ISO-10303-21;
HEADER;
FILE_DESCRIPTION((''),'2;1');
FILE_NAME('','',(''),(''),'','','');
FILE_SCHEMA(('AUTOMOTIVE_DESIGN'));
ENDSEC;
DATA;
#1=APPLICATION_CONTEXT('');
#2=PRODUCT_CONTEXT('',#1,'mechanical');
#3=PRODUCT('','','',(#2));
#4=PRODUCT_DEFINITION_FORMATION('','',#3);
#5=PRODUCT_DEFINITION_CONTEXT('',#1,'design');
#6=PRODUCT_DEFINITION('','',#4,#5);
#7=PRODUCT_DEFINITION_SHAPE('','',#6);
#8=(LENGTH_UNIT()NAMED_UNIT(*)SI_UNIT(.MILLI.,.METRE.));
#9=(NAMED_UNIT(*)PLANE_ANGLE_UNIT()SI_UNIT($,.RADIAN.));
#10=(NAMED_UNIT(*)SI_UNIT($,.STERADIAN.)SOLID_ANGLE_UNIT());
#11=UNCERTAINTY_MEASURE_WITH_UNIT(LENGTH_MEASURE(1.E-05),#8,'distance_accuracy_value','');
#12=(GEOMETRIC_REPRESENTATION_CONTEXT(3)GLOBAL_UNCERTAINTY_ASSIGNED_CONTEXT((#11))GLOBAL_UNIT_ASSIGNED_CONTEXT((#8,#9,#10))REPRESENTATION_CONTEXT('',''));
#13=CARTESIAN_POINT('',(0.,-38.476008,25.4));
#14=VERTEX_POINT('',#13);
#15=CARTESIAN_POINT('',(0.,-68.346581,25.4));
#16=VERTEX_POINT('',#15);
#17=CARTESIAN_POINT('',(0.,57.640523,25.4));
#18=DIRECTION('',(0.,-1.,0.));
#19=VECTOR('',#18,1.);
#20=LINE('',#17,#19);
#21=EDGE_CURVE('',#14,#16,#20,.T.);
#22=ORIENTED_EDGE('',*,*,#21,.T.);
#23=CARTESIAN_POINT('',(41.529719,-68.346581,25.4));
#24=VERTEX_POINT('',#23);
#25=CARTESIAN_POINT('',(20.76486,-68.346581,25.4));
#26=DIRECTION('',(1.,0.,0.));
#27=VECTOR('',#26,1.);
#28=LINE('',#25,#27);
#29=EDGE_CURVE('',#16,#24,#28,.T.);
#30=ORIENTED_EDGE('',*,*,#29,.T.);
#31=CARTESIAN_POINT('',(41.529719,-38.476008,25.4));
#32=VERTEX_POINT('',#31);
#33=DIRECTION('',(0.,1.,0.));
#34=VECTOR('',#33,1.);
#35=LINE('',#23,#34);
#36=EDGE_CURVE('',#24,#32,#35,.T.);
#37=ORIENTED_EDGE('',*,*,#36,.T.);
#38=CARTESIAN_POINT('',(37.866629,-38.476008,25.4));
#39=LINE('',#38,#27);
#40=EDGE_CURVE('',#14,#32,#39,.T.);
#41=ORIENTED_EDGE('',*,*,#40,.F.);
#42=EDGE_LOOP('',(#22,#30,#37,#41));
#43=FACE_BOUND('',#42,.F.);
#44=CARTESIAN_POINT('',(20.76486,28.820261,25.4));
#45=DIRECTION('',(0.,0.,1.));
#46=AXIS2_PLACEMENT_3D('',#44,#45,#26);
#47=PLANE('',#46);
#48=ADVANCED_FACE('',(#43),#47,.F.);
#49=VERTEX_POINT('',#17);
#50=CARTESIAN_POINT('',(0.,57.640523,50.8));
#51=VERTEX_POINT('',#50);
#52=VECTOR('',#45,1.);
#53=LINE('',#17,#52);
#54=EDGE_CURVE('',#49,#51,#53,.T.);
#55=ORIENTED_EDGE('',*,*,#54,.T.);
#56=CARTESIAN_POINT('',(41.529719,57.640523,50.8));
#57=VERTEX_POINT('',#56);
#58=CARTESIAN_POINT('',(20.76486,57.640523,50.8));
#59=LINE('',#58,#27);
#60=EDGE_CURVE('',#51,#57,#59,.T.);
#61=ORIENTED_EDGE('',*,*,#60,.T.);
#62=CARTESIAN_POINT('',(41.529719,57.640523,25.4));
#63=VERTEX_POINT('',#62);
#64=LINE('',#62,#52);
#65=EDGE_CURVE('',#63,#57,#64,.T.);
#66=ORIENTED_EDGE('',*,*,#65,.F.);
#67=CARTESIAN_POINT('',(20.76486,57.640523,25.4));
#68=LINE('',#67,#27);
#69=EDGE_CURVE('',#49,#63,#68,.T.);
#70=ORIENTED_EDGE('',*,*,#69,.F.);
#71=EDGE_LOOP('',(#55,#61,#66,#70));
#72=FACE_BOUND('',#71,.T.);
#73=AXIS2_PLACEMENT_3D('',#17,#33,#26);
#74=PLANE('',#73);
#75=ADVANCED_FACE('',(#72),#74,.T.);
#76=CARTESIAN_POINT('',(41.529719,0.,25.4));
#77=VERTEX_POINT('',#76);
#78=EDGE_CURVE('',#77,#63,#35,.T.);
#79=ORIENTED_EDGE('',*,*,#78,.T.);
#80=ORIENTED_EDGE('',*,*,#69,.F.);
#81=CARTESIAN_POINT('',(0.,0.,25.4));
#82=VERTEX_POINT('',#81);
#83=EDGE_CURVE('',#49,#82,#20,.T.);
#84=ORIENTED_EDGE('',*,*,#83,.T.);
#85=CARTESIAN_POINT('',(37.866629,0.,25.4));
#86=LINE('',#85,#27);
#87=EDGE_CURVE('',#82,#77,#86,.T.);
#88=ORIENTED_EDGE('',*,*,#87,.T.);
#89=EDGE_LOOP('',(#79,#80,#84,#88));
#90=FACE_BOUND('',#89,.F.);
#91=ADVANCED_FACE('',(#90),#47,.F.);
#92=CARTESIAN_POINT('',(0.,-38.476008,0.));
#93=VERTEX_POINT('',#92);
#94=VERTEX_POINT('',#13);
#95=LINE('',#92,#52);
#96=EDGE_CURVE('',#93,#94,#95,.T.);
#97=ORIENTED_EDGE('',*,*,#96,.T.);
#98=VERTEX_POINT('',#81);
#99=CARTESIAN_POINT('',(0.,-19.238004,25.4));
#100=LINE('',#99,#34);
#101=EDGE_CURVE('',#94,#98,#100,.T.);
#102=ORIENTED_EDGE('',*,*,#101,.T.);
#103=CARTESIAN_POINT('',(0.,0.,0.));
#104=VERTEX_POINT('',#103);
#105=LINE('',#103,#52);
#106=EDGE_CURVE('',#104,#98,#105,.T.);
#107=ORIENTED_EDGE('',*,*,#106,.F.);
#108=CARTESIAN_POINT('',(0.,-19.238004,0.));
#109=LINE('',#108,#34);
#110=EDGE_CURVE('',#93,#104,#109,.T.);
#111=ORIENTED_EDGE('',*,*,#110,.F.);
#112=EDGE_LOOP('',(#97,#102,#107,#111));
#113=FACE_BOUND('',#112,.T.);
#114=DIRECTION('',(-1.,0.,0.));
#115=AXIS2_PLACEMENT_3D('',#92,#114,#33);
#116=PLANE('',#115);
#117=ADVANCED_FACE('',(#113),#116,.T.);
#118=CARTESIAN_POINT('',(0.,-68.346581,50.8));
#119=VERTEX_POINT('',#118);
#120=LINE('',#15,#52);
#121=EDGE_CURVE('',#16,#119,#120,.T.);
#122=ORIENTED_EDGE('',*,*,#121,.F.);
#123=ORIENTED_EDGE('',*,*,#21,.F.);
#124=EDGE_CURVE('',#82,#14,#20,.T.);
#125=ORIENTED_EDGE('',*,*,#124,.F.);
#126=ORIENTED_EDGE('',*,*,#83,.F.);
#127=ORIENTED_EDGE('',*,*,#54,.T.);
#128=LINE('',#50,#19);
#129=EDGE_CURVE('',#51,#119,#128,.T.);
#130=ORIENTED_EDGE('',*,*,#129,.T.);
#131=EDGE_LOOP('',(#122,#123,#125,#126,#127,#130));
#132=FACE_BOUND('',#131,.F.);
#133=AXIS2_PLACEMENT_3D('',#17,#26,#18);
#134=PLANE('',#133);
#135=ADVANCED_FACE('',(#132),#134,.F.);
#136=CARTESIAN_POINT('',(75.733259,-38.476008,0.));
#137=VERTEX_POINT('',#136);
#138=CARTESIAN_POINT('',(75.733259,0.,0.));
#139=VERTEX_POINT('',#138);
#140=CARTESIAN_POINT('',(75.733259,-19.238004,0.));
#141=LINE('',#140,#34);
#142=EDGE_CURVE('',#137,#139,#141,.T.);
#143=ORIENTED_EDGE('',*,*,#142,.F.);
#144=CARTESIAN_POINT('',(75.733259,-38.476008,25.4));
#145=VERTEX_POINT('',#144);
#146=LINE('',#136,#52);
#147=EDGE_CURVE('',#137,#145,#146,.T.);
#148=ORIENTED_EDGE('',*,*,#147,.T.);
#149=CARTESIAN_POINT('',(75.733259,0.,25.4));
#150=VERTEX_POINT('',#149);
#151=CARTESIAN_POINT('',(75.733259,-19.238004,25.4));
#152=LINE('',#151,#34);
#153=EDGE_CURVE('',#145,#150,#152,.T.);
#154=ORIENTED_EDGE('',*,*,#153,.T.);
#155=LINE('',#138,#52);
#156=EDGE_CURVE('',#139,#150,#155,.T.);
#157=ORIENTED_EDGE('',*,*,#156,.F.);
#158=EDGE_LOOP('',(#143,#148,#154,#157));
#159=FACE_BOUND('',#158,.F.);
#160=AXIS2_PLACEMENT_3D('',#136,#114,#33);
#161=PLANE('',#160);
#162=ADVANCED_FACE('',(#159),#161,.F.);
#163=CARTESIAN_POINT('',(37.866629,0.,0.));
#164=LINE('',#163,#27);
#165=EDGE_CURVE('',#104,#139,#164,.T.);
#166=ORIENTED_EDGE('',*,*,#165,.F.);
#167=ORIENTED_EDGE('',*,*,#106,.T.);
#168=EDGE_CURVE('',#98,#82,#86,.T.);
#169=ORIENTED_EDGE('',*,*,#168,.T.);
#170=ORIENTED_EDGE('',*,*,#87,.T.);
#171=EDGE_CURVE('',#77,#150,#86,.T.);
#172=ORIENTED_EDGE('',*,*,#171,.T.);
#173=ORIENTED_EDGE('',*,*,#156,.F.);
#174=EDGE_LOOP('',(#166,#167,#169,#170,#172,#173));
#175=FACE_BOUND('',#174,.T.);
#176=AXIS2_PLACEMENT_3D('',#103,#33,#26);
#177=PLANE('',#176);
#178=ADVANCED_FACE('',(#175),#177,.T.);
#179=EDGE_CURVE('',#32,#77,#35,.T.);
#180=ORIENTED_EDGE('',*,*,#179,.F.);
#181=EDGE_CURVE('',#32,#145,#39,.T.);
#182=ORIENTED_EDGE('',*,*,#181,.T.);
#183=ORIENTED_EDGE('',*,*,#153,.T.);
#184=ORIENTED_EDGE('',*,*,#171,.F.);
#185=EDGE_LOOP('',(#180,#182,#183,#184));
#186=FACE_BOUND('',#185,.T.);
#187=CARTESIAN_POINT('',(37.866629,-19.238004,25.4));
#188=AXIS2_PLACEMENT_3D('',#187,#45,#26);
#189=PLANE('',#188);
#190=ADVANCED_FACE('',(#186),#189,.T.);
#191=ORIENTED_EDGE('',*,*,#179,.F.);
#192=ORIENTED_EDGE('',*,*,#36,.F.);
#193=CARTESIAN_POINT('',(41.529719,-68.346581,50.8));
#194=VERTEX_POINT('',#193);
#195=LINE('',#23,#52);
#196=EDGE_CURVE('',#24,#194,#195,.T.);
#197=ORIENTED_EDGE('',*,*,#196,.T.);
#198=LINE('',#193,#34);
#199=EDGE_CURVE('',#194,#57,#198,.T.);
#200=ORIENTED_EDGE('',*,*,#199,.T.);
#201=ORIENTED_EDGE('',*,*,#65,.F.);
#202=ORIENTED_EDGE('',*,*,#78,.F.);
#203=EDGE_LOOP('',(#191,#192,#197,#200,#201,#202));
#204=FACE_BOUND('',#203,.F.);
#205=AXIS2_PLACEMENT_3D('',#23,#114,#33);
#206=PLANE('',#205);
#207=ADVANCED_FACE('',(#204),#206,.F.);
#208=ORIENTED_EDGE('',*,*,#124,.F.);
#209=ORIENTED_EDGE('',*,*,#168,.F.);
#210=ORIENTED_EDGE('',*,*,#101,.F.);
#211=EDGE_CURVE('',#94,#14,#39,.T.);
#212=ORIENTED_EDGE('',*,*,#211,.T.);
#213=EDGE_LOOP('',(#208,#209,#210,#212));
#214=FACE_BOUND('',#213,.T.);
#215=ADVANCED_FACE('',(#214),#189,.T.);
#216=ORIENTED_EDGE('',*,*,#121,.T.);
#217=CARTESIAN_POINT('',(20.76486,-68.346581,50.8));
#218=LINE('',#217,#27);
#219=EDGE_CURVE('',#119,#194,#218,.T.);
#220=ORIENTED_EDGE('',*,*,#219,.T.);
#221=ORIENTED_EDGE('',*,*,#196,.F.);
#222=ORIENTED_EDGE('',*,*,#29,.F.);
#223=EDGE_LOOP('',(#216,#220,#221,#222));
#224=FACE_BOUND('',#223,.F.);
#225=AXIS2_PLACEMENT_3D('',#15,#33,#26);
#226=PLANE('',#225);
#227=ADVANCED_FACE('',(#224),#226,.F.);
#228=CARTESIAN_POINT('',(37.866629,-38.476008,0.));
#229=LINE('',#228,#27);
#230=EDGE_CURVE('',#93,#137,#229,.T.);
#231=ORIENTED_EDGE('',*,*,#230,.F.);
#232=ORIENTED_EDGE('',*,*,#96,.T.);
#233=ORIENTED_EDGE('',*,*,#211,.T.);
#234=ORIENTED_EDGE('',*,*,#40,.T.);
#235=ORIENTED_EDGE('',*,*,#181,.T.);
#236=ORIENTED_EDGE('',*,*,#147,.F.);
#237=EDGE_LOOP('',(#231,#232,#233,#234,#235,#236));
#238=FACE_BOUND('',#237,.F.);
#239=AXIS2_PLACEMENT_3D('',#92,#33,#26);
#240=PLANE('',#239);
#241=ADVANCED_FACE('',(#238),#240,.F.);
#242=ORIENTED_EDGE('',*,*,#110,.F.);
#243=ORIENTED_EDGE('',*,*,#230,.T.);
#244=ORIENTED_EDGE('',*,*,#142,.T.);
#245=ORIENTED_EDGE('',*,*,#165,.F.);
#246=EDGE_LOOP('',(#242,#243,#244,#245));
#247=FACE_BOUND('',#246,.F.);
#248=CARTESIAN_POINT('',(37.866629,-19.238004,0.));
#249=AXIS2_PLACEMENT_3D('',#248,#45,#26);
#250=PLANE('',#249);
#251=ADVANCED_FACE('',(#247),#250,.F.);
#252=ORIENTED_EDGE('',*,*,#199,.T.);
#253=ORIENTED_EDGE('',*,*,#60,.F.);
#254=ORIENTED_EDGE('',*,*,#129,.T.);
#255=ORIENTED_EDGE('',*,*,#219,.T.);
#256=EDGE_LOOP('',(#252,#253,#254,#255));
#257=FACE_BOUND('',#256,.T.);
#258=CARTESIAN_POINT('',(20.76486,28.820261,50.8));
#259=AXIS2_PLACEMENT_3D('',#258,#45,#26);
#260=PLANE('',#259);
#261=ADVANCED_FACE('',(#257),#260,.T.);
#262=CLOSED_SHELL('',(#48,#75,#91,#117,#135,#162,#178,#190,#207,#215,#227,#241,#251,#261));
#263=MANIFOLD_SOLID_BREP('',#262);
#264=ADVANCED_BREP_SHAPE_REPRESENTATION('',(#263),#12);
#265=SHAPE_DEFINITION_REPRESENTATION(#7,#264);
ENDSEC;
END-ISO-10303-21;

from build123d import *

# Parameters (mm, degrees)
F0_W     = 75.733259
F0_H     = 38.476009
F1_DEPTH = 25.4
F2_W     = 41.529719
F2_H     = 57.640523
F2_H_2   = 29.870573
F2_H_3   = 38.476009
F3_DEPTH = 25.4


with BuildPart() as f1:
    # F0 (on Top) → F1 (new body)
    with BuildSketch(Plane.XY):
        with Locations((37.866629, -19.238004)):
            Rectangle(F0_W, F0_H)
    extrude(amount=F1_DEPTH)

    # F2 (on face) → F3 (join)
    with BuildSketch(Plane.XY.offset(25.4)):
        with Locations((20.76486, 28.820261)):
            Rectangle(F2_W, F2_H)
        with Locations((20.76486, -53.411295)):
            Rectangle(F2_W, F2_H_2)
        with Locations((20.76486, -19.238004)):
            Rectangle(F2_W, F2_H_3)
    extrude(amount=F3_DEPTH)


solid = f1.part
